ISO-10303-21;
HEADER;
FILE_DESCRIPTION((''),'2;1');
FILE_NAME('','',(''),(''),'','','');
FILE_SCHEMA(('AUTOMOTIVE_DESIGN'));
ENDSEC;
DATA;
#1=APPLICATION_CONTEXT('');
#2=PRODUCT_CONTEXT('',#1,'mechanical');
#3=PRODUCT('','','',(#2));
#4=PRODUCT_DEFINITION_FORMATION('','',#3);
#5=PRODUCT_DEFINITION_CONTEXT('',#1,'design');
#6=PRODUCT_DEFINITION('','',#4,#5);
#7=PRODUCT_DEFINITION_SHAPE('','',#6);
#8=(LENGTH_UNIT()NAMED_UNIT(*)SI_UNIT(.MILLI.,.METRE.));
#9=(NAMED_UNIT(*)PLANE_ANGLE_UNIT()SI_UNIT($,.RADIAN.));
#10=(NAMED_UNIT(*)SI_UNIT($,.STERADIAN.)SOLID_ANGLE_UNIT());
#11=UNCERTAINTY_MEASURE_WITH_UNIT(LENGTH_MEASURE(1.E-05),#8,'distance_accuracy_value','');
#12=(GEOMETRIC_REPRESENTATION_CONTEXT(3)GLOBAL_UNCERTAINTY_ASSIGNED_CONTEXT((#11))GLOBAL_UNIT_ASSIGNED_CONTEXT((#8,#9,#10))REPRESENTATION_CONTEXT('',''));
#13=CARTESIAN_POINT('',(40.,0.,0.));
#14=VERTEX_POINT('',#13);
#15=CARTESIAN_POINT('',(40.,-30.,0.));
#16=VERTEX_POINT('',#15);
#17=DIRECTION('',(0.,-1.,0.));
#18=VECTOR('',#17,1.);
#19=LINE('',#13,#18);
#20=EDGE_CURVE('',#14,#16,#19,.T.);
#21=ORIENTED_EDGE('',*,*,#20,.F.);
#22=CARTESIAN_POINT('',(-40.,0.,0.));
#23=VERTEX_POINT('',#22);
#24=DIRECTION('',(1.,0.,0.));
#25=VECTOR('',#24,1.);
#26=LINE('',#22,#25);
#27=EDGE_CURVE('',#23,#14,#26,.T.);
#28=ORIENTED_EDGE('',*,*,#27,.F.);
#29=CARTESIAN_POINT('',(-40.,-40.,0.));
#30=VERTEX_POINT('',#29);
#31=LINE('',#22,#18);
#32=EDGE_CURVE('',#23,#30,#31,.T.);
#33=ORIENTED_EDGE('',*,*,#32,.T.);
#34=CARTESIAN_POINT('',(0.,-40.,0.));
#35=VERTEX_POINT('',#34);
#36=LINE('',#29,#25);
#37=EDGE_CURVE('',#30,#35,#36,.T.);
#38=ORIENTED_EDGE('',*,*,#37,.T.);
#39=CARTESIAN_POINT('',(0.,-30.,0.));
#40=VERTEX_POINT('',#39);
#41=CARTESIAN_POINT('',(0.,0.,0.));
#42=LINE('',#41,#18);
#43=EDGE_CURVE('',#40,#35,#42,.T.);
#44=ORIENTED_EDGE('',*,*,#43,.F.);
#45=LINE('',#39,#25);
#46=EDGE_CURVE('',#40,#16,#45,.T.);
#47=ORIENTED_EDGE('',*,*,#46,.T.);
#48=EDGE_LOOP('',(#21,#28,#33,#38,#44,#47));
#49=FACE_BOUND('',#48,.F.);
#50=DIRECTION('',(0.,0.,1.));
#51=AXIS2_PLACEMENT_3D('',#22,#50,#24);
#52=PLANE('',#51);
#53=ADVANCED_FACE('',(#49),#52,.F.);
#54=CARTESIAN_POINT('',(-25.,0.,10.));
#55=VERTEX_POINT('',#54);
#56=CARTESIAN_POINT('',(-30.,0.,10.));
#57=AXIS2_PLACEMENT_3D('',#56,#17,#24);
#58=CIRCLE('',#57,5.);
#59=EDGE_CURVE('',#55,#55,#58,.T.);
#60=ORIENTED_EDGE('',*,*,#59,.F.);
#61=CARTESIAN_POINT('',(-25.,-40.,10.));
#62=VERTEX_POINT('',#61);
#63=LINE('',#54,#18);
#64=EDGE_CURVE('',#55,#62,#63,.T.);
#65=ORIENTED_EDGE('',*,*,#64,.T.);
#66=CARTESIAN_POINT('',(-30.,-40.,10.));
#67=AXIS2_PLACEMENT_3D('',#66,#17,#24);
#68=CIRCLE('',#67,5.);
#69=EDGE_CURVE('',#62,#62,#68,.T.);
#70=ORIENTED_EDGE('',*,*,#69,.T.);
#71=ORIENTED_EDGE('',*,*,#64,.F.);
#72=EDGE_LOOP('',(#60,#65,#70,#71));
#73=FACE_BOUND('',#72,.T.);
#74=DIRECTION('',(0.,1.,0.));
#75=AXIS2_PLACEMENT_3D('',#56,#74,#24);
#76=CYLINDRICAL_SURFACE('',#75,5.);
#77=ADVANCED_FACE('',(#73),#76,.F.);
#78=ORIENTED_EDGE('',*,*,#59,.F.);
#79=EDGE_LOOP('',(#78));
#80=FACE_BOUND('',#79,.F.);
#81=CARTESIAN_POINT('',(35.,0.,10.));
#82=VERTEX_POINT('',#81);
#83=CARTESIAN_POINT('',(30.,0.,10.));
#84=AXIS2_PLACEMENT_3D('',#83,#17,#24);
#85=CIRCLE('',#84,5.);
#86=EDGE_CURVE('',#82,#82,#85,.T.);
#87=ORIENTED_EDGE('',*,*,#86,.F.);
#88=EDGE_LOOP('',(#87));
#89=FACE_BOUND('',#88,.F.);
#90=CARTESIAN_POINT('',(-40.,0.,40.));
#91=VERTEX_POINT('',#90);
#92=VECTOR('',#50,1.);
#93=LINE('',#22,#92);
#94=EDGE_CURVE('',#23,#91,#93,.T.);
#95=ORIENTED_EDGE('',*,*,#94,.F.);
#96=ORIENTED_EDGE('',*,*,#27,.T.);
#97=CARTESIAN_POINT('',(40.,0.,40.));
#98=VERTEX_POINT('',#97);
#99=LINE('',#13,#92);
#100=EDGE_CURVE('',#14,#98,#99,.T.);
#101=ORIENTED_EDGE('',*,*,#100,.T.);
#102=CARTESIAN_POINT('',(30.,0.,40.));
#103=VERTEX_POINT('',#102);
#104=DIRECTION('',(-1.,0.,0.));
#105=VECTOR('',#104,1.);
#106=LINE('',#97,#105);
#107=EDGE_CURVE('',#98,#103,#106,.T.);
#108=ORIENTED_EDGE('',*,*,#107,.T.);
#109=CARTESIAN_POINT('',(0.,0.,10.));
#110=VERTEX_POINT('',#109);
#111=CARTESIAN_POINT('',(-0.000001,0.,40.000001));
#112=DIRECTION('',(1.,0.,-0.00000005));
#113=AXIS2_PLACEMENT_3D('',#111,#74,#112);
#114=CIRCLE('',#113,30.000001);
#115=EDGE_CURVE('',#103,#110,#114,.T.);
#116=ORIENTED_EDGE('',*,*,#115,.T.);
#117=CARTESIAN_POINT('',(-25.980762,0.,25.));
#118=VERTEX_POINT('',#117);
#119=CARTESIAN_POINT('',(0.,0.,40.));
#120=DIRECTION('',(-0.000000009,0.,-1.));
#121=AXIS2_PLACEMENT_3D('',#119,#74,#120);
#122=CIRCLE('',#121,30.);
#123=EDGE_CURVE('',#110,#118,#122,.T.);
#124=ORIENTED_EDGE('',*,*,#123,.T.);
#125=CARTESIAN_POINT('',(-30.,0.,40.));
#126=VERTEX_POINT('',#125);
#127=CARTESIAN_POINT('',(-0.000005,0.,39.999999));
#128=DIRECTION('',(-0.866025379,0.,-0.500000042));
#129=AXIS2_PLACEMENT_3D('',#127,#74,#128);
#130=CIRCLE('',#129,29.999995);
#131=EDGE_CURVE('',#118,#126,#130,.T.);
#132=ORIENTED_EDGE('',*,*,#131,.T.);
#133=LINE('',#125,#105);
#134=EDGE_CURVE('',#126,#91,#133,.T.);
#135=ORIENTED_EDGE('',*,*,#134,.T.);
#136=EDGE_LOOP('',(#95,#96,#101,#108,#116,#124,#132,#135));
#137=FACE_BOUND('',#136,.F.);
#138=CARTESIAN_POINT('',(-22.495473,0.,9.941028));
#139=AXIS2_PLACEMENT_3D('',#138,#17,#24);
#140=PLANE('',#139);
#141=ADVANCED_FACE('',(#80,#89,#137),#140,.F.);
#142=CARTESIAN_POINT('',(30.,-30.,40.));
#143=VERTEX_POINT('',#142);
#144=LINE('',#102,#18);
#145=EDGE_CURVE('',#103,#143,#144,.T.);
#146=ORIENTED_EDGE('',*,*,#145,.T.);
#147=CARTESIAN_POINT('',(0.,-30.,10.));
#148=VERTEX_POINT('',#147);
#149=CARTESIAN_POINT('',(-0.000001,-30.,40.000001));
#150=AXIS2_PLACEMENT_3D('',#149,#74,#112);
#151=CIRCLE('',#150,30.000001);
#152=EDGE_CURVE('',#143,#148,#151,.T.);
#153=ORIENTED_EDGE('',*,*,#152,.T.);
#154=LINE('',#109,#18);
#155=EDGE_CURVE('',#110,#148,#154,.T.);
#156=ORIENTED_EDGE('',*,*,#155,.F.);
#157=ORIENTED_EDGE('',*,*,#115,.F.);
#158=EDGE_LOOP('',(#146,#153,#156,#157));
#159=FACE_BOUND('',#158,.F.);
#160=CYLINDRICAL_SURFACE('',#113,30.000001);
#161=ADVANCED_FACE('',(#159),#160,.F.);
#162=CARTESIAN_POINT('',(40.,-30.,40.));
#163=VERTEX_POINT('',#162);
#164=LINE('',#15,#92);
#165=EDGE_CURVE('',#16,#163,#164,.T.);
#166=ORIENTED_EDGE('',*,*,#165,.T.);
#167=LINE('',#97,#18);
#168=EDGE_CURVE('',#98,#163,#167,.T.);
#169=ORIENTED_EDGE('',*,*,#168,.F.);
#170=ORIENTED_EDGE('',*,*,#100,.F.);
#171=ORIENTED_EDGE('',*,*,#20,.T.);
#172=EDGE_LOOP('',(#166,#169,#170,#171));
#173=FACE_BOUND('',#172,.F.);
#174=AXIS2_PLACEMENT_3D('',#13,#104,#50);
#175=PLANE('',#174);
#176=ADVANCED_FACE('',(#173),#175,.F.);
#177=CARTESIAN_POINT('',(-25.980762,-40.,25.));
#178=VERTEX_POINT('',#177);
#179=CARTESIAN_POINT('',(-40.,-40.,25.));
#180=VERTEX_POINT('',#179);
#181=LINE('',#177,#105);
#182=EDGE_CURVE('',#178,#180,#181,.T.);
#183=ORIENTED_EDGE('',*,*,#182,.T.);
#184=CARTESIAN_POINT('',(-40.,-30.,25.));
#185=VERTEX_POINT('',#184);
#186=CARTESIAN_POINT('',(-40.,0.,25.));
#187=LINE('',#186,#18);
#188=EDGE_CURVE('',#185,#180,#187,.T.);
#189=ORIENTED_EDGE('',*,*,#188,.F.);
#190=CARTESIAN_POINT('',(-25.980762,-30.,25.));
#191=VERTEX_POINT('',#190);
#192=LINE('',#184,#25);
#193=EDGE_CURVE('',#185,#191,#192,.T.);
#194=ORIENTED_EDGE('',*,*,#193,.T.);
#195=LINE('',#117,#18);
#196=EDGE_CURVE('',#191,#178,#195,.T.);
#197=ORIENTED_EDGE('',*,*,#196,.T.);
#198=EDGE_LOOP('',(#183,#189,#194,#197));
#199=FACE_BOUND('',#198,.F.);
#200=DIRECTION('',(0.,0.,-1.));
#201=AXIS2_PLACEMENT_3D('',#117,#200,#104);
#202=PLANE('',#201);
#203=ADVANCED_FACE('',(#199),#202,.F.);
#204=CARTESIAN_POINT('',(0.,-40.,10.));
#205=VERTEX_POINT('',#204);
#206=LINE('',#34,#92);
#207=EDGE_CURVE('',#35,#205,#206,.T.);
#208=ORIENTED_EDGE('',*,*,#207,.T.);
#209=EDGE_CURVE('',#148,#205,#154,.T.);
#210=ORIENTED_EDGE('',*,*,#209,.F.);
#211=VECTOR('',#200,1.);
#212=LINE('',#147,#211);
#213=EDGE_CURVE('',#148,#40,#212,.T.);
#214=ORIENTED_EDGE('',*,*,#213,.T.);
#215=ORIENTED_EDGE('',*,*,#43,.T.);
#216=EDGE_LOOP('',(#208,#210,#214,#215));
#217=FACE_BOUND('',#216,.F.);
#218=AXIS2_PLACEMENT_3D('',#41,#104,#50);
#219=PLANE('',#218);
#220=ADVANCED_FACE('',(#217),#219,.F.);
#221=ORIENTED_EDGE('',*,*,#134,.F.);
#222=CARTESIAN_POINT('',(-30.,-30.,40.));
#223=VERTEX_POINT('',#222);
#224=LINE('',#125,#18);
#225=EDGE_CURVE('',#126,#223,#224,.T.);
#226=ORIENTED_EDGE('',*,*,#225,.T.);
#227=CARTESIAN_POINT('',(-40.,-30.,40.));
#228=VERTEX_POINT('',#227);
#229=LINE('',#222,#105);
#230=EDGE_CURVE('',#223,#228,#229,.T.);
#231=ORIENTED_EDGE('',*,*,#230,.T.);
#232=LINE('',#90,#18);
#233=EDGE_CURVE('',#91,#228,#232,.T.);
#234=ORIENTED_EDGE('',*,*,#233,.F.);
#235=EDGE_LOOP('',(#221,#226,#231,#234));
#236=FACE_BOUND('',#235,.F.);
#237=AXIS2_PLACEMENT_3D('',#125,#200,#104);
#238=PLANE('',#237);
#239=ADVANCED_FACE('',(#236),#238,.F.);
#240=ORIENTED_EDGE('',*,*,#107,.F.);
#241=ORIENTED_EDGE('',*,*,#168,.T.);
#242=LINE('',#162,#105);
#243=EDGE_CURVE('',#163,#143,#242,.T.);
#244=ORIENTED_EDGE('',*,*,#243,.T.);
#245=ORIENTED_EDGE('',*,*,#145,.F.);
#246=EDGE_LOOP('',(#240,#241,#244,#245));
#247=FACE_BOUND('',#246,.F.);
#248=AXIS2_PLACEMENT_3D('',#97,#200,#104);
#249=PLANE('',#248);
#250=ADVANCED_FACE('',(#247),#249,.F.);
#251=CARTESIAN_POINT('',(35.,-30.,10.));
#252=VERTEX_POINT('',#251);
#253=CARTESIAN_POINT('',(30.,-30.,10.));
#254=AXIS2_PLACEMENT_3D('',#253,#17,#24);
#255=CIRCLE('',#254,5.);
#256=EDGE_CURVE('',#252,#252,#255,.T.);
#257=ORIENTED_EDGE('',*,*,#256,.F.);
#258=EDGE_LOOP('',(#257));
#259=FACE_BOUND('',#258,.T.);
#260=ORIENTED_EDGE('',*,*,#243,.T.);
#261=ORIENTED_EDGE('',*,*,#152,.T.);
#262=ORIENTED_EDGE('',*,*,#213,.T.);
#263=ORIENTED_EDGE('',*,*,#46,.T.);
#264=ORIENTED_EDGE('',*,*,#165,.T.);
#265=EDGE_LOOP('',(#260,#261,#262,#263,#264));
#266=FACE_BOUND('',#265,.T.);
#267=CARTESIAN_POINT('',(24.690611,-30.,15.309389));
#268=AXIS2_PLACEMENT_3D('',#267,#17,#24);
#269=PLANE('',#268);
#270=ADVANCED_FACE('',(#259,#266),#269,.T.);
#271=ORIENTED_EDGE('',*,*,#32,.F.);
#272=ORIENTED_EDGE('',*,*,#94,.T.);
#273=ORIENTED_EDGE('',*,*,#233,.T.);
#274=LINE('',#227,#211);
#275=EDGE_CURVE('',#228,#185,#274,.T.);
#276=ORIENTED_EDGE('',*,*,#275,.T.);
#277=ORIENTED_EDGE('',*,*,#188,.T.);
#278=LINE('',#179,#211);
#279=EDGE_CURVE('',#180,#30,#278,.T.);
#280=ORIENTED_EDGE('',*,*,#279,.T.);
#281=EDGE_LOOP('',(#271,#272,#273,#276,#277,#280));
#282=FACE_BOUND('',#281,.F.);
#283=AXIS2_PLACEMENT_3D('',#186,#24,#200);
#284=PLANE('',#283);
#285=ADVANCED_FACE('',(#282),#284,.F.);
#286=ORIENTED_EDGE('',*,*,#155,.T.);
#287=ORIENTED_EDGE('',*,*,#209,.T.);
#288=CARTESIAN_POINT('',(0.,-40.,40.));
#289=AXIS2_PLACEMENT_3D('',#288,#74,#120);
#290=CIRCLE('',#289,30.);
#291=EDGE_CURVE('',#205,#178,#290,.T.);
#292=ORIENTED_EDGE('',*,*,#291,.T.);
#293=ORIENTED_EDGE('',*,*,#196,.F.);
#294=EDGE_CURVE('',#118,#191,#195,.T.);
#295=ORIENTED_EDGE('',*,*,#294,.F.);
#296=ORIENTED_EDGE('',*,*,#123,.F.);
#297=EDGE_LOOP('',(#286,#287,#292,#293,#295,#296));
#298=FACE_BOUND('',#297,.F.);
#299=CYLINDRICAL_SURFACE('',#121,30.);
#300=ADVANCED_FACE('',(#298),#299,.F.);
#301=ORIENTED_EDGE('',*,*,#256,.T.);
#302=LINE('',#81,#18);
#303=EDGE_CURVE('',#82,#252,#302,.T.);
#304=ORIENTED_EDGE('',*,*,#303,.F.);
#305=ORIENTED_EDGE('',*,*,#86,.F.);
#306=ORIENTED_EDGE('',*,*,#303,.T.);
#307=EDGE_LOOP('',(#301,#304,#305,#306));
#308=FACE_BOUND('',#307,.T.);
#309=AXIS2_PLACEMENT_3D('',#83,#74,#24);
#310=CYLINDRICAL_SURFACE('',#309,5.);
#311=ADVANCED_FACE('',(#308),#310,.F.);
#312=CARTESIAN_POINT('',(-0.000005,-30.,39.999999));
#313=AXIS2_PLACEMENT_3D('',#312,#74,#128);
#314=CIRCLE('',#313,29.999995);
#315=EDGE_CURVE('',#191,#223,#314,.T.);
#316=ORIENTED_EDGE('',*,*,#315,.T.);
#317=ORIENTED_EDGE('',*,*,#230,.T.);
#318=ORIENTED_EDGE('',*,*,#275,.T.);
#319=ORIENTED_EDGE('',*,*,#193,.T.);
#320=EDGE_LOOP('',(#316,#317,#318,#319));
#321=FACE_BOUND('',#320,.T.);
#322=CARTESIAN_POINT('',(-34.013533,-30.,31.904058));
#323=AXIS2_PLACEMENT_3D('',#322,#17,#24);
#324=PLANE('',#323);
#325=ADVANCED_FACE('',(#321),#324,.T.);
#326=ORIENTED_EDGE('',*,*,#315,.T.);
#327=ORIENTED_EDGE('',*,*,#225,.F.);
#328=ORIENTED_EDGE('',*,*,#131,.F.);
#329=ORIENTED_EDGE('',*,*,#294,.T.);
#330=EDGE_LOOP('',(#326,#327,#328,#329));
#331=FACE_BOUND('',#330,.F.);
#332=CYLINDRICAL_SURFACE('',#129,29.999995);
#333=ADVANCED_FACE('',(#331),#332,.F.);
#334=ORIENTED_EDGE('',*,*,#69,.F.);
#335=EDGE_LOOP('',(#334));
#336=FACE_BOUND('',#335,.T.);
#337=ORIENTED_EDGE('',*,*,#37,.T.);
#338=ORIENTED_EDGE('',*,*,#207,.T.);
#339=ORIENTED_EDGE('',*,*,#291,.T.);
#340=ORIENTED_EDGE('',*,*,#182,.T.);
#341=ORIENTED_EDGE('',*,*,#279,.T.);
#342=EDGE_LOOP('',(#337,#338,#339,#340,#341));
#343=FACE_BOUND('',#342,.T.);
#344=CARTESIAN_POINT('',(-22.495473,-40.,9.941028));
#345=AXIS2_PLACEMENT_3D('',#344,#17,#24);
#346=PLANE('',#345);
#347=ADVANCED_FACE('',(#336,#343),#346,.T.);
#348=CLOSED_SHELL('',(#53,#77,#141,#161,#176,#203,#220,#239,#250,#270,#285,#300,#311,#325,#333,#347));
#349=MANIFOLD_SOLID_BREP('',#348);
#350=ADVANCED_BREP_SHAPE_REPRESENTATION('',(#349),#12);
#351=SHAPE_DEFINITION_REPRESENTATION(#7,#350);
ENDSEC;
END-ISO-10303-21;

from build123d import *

# Parameters (mm, degrees)
F0_R     = 5
F1_DEPTH = 30
F2_DEPTH = 40


with BuildPart() as f1:
    # F0 (on Front) → F1 (new body)
    with BuildSketch(Plane.XZ):
        with BuildLine():
            Line((-40, 25), (-25.980762, 25))
            ThreePointArc((-25.980762, 25), (-28.977775, 32.235429), (-30, 40))
            Line((-30, 40), (-40, 40))
            Line((-40, 40), (-40, 25))
        make_face()
        with BuildLine():
            ThreePointArc((30, 40), (21.213203, 18.786797), (0, 10))
            Line((0, 10), (0, 0))
            Line((0, 0), (40, 0))
            Line((40, 0), (40, 40))
            Line((40, 40), (30, 40))
        make_face()
        with Locations((30, 10)):
            Circle(F0_R, mode=Mode.SUBTRACT)
    extrude(amount=F1_DEPTH)

    # F0 (on Front) → F2 (join)
    with BuildSketch(Plane.XZ):
        with BuildLine():
            Line((0, 0), (0, 10))
            ThreePointArc((0, 10), (-15, 14.019238), (-25.980762, 25))
            Line((-25.980762, 25), (-40, 25))
            Line((-40, 25), (-40, 0))
            Line((-40, 0), (0, 0))
        make_face()
        with Locations((-30, 10)):
            Circle(F0_R, mode=Mode.SUBTRACT)
    extrude(amount=F2_DEPTH)


solid = f1.part
